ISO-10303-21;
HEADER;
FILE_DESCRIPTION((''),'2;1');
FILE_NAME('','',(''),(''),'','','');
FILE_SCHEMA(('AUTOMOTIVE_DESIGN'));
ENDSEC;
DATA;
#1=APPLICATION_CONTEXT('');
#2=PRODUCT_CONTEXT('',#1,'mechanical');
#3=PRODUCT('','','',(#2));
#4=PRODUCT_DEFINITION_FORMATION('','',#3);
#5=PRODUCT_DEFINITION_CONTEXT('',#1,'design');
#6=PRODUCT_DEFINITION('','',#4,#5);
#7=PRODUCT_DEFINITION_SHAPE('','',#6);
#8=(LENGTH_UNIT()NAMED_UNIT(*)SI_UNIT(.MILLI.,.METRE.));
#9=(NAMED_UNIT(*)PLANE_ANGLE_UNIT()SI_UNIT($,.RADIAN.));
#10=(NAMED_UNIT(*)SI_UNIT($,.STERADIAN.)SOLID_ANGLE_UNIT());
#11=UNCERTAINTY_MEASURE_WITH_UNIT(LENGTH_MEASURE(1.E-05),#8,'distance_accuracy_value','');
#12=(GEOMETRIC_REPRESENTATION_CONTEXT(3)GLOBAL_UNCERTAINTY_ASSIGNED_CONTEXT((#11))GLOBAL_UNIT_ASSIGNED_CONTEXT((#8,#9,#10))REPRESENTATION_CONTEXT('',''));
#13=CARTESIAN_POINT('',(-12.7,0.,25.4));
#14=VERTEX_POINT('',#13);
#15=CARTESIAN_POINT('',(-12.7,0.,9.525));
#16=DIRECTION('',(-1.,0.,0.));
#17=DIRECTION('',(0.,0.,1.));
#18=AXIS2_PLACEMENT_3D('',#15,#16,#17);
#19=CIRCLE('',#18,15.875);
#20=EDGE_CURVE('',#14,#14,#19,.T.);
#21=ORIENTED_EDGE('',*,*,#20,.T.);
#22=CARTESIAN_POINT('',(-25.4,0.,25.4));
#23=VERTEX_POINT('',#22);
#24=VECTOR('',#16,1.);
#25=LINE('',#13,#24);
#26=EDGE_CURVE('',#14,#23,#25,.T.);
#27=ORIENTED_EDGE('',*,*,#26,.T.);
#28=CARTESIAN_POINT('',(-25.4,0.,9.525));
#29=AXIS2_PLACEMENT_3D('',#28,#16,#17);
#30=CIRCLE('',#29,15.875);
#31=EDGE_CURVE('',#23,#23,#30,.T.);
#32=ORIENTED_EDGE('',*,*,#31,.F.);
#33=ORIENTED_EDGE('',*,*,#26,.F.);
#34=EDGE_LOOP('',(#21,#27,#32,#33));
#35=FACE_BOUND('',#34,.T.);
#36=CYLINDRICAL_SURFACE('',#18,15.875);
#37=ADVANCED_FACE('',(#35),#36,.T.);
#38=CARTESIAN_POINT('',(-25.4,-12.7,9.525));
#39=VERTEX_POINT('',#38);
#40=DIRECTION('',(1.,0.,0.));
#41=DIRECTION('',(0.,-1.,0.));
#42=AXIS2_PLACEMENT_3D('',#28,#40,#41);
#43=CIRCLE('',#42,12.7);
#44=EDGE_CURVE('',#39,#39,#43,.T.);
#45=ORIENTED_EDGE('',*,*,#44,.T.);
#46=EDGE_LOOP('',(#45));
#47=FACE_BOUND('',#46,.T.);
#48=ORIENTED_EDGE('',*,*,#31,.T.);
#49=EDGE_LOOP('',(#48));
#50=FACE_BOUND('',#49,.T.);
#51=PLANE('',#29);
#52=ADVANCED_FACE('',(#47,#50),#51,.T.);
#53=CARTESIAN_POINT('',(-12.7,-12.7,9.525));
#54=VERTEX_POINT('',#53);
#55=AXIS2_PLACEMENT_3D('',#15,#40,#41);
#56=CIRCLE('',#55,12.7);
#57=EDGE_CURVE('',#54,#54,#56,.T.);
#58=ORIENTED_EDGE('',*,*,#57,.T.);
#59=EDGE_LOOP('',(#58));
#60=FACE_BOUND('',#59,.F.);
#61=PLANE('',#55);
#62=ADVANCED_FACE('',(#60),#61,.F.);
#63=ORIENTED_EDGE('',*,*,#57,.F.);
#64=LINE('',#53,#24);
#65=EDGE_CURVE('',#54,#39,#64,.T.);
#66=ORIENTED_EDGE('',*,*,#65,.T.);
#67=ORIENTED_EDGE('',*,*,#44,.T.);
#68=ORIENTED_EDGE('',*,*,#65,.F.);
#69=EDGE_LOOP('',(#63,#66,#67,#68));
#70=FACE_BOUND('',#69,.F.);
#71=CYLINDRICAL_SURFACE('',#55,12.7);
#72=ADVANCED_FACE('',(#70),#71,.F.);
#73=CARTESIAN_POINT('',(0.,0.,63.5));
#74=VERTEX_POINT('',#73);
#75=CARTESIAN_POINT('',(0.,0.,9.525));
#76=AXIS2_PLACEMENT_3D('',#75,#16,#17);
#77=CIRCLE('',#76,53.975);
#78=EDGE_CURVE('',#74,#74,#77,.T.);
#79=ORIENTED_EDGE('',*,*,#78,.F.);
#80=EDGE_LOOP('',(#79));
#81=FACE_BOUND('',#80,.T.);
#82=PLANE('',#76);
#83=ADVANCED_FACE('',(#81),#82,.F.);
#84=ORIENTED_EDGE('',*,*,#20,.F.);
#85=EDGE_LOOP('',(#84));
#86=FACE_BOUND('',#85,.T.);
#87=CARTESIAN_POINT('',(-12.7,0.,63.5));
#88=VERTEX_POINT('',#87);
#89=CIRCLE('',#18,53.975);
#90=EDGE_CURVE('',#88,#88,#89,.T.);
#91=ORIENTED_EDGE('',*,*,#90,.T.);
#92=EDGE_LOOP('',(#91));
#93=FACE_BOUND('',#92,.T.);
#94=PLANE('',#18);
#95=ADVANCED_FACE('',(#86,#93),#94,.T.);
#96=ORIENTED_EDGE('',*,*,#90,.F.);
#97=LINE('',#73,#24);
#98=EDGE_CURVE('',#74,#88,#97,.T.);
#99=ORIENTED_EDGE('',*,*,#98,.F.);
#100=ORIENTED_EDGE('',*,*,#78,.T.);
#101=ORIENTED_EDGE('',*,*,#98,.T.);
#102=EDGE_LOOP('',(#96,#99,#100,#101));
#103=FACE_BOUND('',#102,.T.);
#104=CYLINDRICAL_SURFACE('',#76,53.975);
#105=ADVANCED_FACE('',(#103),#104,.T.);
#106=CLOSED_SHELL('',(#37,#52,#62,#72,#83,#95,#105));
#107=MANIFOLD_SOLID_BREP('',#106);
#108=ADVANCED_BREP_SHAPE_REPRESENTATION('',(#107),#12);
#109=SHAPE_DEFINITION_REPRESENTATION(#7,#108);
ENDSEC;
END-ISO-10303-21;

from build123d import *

# Parameters (mm, degrees)
F3_D     = 25.4
F3_DEPTH = 12.701


with BuildPart() as f1:
    # F0 (on Front) → F1 (revolve)
    with BuildSketch(Plane.XZ):
        Polygon((-25.4, 9.525), (0, 9.525), (0, 63.5), (-12.7, 63.5), (-12.7, 25.4), (-25.4, 25.4), align=None)
    revolve(axis=Axis((-12.7, 0, 9.525), (-1, 0, 0)))

    # F3 (through all, one way)
    with BuildSketch(Plane(origin=(-12.7, 0, 0), x_dir=(0, -1, 0), z_dir=(1, 0, 0))):
        with Locations((0, -9.525)):
            Circle(F3_D / 2)
    extrude(amount=-F3_DEPTH, mode=Mode.SUBTRACT)


solid = f1.part
